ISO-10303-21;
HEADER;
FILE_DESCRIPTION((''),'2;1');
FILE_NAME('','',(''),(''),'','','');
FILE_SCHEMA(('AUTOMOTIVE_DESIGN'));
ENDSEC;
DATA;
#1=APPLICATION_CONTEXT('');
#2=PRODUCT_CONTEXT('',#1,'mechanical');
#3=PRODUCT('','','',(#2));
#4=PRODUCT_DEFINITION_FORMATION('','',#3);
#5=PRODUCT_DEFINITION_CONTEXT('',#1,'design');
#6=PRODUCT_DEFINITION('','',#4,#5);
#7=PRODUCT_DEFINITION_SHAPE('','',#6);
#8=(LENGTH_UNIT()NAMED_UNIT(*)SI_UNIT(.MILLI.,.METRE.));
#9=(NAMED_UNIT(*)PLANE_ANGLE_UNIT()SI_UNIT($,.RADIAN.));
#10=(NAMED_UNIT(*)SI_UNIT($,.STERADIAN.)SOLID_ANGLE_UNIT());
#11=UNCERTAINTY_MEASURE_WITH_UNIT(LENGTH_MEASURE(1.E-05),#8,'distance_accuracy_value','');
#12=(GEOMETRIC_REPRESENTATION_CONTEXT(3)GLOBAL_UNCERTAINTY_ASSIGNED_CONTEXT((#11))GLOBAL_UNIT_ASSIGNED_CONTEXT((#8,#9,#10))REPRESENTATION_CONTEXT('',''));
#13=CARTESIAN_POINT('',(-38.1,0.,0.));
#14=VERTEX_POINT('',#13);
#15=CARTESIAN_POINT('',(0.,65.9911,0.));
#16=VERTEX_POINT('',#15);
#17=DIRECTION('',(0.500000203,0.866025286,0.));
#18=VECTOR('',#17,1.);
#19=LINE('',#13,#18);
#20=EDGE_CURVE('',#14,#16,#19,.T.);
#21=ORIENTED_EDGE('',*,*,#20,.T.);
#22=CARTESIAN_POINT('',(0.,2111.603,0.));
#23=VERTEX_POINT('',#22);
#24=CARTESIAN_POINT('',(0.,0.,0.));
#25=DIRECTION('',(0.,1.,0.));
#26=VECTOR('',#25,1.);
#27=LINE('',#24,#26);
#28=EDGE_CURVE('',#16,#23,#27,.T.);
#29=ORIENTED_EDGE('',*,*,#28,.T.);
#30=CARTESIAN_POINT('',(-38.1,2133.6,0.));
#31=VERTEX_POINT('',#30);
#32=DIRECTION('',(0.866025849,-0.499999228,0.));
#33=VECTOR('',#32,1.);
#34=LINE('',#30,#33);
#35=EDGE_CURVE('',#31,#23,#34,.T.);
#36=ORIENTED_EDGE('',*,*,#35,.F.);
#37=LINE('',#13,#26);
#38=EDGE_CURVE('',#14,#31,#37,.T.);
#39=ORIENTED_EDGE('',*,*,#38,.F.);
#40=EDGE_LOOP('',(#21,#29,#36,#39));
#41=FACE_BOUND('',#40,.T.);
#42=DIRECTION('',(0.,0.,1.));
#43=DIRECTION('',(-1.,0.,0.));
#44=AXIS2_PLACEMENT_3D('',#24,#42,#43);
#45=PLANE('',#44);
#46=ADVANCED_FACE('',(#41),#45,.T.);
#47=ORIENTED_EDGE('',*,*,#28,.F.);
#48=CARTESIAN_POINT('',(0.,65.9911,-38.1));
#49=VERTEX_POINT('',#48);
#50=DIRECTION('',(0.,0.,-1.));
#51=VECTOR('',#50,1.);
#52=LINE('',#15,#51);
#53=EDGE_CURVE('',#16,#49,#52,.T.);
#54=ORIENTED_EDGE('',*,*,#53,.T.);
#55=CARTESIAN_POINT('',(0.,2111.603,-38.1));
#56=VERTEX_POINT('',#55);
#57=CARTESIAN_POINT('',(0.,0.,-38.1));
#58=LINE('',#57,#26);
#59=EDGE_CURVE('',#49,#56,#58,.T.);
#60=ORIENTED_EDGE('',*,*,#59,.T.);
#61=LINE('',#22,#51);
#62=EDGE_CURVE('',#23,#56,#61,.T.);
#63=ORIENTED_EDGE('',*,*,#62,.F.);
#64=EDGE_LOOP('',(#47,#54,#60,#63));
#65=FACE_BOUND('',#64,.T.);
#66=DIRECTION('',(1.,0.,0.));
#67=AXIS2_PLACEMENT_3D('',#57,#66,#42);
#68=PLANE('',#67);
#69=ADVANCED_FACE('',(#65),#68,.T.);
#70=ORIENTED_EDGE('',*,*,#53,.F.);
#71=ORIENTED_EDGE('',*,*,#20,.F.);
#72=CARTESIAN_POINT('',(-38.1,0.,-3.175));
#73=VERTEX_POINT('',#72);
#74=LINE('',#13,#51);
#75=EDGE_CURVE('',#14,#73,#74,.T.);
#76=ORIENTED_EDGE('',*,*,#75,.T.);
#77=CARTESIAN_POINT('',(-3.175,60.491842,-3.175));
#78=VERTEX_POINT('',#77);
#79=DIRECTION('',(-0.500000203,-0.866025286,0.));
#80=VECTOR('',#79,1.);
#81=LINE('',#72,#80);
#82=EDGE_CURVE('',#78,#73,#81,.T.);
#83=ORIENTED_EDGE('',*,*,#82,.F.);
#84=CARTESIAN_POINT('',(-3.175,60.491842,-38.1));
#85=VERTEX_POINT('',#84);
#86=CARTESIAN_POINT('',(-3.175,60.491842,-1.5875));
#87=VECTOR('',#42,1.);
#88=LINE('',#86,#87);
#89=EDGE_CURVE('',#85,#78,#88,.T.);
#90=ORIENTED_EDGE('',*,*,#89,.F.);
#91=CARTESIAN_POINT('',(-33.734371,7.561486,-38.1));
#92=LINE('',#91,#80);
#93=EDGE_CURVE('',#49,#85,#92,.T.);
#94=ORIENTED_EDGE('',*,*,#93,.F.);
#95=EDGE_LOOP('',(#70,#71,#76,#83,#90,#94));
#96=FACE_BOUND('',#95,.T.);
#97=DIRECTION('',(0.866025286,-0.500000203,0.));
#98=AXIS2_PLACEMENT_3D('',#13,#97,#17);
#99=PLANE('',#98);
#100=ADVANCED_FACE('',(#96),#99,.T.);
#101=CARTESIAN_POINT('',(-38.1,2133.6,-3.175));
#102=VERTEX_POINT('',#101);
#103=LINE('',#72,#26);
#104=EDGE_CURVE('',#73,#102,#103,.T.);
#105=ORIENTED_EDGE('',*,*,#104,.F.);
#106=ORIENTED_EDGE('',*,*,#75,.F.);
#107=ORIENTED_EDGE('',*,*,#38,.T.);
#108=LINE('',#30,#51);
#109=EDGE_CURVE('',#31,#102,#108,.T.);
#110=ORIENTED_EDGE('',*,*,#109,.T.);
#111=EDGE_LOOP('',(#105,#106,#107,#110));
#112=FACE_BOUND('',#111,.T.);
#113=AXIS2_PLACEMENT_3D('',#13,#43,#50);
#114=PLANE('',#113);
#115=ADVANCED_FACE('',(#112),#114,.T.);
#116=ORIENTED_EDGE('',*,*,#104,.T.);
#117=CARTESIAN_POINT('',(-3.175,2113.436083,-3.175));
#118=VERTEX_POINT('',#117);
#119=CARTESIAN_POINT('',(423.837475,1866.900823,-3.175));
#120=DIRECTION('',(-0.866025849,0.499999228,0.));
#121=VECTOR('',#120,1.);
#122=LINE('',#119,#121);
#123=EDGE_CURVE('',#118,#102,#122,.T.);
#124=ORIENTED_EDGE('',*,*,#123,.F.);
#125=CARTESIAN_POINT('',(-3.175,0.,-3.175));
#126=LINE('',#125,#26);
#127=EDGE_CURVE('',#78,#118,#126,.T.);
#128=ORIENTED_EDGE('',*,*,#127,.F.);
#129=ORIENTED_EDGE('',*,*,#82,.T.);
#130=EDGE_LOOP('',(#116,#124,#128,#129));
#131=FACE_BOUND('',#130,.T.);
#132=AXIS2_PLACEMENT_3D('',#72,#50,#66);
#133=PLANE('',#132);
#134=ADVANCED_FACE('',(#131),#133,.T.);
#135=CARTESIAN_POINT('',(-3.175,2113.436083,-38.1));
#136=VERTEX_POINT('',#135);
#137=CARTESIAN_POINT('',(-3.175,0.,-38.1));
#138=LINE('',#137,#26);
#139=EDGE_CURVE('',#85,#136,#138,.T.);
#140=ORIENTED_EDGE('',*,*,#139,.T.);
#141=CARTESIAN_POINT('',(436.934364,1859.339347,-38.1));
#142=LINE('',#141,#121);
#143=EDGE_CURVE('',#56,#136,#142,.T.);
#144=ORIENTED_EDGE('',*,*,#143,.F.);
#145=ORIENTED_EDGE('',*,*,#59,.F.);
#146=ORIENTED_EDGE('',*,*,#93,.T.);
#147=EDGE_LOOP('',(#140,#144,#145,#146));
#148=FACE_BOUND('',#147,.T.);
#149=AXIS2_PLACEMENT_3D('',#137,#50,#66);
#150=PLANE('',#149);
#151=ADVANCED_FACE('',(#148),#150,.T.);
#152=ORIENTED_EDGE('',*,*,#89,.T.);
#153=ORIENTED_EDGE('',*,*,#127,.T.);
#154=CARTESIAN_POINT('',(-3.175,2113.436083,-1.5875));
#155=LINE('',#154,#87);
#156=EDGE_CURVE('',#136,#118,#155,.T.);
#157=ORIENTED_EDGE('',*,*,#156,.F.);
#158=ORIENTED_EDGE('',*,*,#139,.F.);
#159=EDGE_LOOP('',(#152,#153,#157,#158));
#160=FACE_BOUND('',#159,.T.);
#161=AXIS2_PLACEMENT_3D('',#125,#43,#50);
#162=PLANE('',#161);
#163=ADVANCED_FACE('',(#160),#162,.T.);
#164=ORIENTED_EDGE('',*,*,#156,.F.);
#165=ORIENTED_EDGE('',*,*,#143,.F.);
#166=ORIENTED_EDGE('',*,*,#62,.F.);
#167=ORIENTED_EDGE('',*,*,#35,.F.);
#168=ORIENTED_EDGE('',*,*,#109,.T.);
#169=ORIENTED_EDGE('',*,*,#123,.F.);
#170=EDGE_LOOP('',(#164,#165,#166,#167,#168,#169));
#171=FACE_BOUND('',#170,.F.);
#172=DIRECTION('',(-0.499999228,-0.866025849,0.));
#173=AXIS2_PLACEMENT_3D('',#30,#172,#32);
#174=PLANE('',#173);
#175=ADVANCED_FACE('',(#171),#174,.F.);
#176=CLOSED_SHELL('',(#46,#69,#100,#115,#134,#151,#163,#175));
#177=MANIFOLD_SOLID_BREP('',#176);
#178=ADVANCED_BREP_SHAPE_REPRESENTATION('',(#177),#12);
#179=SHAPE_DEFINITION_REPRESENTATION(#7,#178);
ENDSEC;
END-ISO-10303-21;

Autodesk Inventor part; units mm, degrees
ref_plane "YZ Plane" through (0, 0, 0) normal (1, 0, 0) x (0, 1, 0)
ref_plane "XZ Plane" through (0, 0, 0) normal (0, 1, 0) x (-1, 0, 0)
ref_plane "XY Plane" through (0, 0, 0) normal (0, 0, 1) x (1, 0, 0)
sketch "Sketch1" plane through (0, 0, 0) normal (0, 1, 0) x (-1, 0, 0)
  line L0 (0, 0) -> (38.1, 0)
  line L1 (38.1, 0) -> (38.1, -3.175)
  line L2 (38.1, -3.175) -> (3.175, -3.175)
  line L3 (3.175, -3.175) -> (3.175, -38.1)
  line L4 (3.175, -38.1) -> (0, -38.1)
  line L5 (0, -38.1) -> (0, 0)
  dimension "d0" = 3.175
  dimension "d1" = 3.175
  dimension "d2" = 38.1
  dimension "d3" = 38.1
extrude "Extrusion1" add sketch "Sketch1" along normal blind 2133.6
sketch "Sketch2" plane through (0, 0, 0) normal (0, 0, 1) x (1, 0, 0)
  line L0 (0, 0) -> (-38.1, 0) projected
  line L1 (-38.1, 0) -> (0, 0)
  line L2 (0, 0) -> (-38.1, 0)
  line L3 (-38.1, 0) -> (0, 65.9911)
  line L4 (0, 0) -> (0, 2133.6) projected
  line L5 (-38.1, 0) -> (-38.1, 2133.6) projected
  line L6 (-38.1, 2133.6) -> (0, 2111.603)
  line L7 (-38.1, 2133.6) -> (0, 2133.6) projected
  line L8 (0, 2111.603) -> (0, 2133.6)
  line L9 (0, 2133.6) -> (-38.1, 2133.6)
  dimension "d6" = 60
  dimension "d7" = 60
extrude "Extrusion2" cut sketch "Sketch2" against normal blind 76.2 contours L0 L3 L4
extrude "Extrusion3" cut sketch "Sketch2" against normal blind 76.2 contours L7 L4 L6
properties part number "Angle_Brace"
